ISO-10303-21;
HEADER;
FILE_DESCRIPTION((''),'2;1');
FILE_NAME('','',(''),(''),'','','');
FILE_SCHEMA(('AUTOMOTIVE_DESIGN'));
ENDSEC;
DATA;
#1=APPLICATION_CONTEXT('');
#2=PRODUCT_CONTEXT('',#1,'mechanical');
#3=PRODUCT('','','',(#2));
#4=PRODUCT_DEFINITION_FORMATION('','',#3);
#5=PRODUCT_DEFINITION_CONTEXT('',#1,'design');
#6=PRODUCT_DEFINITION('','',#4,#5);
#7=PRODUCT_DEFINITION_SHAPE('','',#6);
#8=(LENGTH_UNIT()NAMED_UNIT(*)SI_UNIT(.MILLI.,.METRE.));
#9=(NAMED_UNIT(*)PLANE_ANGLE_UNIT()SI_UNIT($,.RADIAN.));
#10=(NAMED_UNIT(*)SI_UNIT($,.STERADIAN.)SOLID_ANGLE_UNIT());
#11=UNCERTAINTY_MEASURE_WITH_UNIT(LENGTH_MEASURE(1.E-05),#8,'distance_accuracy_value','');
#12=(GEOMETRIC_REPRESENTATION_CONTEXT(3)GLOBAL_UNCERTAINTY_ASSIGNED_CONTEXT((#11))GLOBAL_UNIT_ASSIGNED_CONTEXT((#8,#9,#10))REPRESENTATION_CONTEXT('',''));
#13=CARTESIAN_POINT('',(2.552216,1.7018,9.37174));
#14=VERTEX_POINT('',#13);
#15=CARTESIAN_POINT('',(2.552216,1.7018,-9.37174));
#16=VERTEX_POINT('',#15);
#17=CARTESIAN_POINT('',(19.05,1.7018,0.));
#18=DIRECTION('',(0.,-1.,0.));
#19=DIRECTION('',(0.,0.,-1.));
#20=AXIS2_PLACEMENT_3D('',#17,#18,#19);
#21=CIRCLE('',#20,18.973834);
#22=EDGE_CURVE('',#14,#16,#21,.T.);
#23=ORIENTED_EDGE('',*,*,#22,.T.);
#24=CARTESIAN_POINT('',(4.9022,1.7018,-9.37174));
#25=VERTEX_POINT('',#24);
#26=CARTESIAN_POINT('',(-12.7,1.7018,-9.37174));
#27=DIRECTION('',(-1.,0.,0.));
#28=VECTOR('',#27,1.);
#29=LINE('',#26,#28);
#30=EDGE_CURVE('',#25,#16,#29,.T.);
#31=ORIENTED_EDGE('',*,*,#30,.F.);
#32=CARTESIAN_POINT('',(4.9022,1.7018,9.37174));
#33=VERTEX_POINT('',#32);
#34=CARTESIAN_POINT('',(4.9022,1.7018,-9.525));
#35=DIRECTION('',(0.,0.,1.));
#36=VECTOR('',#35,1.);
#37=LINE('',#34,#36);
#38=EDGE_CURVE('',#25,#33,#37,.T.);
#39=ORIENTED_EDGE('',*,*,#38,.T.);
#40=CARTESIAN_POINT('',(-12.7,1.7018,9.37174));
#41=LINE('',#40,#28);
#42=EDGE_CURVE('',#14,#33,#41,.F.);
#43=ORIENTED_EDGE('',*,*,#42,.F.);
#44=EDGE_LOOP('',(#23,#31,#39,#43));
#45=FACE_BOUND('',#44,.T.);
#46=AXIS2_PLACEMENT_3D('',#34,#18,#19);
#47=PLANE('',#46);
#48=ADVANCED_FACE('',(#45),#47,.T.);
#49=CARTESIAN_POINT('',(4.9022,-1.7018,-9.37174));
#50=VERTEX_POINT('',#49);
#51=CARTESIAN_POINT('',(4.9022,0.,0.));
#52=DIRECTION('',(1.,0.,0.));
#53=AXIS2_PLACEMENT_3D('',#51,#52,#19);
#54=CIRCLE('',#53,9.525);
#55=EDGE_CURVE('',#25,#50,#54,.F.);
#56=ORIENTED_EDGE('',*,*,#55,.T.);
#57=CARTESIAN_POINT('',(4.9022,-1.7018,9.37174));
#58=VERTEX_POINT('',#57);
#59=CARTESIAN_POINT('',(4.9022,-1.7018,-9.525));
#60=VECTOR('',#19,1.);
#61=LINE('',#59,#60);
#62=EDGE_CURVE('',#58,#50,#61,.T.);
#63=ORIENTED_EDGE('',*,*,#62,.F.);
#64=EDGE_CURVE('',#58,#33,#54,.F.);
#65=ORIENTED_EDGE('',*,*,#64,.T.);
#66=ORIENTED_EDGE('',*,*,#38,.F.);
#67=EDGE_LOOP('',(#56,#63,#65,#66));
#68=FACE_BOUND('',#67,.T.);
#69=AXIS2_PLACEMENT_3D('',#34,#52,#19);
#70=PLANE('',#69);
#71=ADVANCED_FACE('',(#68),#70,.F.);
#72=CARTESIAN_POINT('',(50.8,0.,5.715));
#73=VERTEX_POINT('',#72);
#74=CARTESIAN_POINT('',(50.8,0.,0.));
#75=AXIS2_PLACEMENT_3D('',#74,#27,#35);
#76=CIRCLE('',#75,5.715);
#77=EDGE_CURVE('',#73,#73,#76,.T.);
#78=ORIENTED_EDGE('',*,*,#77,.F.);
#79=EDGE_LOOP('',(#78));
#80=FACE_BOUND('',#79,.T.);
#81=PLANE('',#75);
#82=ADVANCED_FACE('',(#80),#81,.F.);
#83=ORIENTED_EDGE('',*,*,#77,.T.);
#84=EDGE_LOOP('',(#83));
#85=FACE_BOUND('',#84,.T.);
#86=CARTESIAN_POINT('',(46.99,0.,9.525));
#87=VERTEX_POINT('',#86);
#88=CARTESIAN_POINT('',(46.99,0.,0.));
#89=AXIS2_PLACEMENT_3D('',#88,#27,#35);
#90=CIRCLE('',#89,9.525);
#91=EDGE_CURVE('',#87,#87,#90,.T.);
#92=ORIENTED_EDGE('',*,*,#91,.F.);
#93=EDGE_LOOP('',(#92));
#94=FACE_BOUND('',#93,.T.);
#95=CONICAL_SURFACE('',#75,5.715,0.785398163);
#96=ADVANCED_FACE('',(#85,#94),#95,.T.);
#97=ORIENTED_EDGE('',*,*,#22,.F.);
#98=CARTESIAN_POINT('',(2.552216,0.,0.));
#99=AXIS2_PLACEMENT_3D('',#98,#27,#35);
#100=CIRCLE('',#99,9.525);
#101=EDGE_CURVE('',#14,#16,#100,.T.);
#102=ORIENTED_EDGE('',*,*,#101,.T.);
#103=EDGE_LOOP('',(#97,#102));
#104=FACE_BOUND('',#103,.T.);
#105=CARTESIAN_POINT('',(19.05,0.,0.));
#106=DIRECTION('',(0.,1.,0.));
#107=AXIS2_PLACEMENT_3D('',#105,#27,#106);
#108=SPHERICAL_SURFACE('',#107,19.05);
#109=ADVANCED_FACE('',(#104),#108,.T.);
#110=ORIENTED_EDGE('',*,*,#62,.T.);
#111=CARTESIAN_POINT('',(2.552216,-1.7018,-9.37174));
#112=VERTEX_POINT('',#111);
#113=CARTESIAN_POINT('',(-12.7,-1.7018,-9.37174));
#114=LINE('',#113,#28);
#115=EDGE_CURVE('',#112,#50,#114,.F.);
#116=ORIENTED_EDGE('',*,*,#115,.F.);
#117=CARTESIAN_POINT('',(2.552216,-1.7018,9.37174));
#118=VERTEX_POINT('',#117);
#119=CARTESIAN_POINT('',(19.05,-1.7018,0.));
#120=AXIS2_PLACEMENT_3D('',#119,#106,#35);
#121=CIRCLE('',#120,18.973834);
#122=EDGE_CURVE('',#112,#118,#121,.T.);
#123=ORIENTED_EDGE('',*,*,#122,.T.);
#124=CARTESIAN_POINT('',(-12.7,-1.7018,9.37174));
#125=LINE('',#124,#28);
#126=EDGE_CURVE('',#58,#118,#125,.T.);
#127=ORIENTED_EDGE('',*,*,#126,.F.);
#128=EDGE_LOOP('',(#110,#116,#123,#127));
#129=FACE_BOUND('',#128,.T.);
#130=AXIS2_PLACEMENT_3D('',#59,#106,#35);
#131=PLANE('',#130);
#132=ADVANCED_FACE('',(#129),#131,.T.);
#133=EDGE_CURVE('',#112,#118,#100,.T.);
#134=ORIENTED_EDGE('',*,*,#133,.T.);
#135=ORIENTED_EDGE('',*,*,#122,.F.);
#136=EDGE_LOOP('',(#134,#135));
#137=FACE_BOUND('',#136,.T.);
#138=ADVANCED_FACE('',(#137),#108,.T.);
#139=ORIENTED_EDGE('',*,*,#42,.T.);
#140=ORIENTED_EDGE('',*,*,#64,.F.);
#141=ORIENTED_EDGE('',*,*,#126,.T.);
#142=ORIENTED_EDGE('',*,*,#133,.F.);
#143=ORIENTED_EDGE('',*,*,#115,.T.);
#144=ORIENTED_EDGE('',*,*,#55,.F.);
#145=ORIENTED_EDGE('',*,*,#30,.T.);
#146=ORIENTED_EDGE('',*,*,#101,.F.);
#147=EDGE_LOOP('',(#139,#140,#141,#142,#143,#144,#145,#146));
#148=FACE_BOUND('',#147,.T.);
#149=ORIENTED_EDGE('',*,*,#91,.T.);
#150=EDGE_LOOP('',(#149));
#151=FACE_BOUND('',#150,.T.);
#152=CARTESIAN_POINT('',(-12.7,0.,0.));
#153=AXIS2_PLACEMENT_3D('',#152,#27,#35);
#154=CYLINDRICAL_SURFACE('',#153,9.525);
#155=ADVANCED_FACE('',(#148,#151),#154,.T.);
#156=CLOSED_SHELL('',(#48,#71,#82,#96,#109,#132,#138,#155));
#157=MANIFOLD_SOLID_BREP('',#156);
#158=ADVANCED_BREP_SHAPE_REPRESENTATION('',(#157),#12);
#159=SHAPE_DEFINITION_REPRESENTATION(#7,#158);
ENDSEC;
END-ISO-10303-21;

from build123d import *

# Parameters (mm, degrees)
SKETCH2_W  = 19.05
SKETCH2_H  = 3.4036
SLOT_DEPTH = 4.9022


with BuildPart() as part:
    # BodySke → BaseBody (revolve)
    with BuildSketch(Plane.XY, mode=Mode.PRIVATE) as basebody_sk:
        with BuildLine():
            Line((50.8, 0), (50.8, 5.715))
            Line((50.8, 5.715), (46.99, 9.525))
            Line((46.99, 9.525), (2.552216058, 9.525))
            ThreePointArc((2.552216058, 9.525), (0.649113009, 4.930502809), (0, 0))
            Line((0, 0), (50.8, 0))
        make_face()
    revolve(basebody_sk.sketch.rotate(Axis((-12.7, 0, 0), (1, 0, 0)), 90), axis=Axis((-12.7, 0, 0), (1, 0, 0)))

    # Sketch2 → Slot (cut)
    with BuildSketch(Plane(origin=(0, 0, 0), x_dir=(0, 0, -1), z_dir=(1, 0, 0))):
        Rectangle(SKETCH2_W, SKETCH2_H)
    extrude(amount=SLOT_DEPTH, mode=Mode.SUBTRACT)


solid = part.part
